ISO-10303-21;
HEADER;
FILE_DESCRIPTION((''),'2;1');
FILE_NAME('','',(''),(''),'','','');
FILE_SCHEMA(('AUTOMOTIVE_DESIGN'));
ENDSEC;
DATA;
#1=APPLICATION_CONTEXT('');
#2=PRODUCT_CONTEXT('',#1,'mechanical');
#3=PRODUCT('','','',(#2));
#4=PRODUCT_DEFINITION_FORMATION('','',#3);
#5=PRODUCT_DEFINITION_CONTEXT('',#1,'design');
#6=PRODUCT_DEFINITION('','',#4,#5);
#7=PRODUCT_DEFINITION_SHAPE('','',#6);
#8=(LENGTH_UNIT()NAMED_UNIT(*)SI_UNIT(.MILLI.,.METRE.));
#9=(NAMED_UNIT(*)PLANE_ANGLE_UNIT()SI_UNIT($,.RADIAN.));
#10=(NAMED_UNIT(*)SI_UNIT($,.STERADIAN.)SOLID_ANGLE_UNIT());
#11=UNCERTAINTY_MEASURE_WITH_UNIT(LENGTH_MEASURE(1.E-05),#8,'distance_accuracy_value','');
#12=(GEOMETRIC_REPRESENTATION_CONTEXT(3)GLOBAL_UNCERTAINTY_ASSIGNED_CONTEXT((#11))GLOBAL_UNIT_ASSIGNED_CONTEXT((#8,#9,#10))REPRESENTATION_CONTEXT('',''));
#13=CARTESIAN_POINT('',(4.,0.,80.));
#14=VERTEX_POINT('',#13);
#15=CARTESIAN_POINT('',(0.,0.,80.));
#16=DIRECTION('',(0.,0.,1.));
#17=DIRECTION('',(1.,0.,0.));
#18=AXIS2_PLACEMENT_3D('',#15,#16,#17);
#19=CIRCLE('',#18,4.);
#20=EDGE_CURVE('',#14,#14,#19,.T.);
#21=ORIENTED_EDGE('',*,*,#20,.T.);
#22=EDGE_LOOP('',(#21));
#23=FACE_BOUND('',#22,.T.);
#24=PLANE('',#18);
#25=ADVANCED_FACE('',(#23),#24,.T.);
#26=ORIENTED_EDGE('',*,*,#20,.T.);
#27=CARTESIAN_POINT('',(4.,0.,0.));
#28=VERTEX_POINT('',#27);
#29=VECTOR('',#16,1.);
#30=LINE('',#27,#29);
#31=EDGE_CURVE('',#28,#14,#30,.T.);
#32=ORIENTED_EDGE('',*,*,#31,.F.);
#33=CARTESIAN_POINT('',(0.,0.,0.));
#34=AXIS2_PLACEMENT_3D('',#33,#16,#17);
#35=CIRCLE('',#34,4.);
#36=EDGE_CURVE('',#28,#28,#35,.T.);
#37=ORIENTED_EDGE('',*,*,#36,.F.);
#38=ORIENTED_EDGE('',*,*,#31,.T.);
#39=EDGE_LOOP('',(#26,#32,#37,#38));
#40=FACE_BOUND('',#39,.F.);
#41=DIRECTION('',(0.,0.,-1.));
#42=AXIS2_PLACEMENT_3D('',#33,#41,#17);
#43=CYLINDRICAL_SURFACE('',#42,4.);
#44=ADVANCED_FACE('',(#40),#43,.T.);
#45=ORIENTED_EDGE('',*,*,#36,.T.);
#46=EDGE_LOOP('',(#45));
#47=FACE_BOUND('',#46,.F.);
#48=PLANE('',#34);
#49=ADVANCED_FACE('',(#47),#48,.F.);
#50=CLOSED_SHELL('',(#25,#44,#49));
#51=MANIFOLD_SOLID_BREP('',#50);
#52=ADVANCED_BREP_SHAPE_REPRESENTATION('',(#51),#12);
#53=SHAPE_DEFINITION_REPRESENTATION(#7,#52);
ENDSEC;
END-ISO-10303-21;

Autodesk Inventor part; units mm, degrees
ref_plane "YZ Plane" through (0, 0, 0) normal (1, 0, 0) x (0, 1, 0)
ref_plane "XZ Plane" through (0, 0, 0) normal (0, 1, 0) x (-1, 0, 0)
ref_plane "XY Plane" through (0, 0, 0) normal (0, 0, 1) x (1, 0, 0)
sketch "Sketch1" plane through (0, 0, 0) normal (0, 0, 1) x (1, 0, 0)
  circle A0 centre (0, 0) radius 4
  dimension "d0" = 8
extrude "Extrusion1" add sketch "Sketch1" along normal blind 80
properties part number "axis1"
